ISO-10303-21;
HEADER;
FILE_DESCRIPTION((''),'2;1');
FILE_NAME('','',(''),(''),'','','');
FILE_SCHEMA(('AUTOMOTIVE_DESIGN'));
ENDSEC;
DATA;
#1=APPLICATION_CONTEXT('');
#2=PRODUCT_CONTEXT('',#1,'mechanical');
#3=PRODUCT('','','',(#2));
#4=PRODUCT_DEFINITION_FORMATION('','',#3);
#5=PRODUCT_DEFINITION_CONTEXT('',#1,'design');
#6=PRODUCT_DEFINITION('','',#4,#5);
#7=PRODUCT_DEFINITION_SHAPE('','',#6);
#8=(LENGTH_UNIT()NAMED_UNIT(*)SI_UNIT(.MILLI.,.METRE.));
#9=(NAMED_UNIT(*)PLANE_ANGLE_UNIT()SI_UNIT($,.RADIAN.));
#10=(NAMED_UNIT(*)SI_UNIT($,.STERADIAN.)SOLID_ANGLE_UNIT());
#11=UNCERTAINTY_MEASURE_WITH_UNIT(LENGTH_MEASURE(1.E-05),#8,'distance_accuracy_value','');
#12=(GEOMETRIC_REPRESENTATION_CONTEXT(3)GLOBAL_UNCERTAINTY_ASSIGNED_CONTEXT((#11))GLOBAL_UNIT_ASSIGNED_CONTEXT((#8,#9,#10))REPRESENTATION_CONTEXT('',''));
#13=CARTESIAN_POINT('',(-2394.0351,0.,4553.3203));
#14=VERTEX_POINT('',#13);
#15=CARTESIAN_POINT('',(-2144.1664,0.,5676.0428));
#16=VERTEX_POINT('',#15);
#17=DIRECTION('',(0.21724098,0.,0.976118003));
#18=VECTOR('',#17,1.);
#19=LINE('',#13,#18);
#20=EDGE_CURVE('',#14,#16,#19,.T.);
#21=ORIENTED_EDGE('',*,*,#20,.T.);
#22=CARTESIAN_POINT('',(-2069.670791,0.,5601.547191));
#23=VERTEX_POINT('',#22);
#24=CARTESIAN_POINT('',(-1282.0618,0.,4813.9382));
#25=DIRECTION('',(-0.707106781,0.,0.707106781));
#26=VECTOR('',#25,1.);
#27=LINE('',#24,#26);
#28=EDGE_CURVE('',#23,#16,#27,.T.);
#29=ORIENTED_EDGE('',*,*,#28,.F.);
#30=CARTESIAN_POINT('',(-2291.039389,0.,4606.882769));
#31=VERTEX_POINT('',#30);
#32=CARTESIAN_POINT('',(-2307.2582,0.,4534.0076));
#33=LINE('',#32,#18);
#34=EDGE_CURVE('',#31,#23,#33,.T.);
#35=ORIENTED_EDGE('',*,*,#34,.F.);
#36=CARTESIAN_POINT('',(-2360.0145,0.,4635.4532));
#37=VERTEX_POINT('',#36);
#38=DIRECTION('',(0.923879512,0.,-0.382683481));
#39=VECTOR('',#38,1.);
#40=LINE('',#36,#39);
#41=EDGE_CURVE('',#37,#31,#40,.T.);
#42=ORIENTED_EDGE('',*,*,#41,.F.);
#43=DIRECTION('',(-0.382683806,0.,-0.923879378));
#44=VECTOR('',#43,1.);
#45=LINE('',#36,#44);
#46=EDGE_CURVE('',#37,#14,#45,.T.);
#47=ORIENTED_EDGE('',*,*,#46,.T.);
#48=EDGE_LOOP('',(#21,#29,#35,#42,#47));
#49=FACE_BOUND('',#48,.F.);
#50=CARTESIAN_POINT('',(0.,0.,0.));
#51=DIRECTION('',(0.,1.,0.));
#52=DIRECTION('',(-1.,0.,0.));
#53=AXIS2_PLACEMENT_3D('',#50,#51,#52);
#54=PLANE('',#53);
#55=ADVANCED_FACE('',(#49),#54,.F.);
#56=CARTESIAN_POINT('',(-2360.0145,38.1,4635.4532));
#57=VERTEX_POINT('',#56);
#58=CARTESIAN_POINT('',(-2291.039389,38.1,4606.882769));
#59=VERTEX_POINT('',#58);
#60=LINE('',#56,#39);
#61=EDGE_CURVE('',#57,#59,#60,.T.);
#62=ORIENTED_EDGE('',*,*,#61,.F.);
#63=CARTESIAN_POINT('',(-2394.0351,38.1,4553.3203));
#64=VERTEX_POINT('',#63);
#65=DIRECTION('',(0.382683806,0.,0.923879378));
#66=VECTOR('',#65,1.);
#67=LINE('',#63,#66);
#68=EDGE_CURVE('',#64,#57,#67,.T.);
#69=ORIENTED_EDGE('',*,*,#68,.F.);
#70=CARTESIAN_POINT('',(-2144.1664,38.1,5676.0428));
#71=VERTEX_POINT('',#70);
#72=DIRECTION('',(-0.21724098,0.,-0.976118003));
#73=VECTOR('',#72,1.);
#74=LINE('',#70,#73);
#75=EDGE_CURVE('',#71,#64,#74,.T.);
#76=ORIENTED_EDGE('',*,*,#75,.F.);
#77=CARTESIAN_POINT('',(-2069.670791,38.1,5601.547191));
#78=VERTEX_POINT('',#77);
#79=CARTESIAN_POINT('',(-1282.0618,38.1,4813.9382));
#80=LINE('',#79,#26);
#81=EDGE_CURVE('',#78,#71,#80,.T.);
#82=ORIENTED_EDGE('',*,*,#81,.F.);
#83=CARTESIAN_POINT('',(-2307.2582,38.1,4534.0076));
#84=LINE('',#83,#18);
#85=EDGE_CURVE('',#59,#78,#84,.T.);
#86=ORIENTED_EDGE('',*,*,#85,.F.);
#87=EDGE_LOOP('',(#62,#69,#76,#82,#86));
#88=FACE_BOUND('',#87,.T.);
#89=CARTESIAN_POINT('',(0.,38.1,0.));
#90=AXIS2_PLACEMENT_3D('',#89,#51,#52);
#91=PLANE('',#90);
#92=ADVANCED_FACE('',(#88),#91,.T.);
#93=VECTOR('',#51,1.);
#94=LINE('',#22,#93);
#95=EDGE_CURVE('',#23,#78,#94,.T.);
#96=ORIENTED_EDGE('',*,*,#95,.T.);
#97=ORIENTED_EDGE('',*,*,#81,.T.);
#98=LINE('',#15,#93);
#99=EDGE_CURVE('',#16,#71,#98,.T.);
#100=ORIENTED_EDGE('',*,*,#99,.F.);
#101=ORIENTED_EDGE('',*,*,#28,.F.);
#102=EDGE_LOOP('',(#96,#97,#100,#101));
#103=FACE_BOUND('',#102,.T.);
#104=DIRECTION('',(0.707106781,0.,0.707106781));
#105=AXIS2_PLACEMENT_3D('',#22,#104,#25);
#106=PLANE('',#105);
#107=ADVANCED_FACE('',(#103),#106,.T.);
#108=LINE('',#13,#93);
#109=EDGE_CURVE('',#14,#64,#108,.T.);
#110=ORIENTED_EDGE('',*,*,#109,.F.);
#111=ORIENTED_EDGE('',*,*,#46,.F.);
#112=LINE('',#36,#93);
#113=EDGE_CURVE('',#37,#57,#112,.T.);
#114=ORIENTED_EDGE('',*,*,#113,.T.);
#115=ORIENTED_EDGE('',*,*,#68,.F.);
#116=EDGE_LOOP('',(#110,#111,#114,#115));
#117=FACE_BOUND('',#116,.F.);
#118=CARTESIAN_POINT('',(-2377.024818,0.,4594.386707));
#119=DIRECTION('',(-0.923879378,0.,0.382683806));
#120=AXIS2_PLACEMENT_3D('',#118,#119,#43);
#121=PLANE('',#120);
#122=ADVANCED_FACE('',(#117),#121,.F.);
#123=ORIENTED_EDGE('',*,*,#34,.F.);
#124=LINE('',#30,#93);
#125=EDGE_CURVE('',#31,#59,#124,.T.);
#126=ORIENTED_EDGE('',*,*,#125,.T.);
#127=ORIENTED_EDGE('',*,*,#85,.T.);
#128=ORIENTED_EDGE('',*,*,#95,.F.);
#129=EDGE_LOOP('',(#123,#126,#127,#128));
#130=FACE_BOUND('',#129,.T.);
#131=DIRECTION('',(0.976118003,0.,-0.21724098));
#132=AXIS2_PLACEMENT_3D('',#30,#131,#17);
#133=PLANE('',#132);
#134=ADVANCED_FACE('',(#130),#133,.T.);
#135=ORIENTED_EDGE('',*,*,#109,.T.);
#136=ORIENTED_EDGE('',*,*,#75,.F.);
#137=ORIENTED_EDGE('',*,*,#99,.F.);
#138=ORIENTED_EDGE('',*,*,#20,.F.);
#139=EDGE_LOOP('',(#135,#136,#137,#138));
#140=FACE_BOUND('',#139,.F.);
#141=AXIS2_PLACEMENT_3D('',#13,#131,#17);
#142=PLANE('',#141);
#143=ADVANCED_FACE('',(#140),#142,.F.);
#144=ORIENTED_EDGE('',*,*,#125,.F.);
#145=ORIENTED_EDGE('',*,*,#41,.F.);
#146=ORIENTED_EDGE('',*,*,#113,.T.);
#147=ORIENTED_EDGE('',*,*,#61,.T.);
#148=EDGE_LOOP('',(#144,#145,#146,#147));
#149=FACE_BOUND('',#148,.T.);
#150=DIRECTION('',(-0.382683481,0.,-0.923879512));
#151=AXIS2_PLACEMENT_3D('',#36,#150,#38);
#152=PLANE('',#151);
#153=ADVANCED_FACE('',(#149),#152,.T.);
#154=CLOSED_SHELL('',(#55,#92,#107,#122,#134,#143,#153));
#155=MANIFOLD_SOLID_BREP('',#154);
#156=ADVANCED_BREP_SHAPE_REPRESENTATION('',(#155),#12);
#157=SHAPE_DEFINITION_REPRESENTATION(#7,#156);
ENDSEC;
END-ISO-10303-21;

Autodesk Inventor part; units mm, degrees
ref_plane "YZ Plane" through (0, 0, 0) normal (1, 0, 0) x (0, 1, 0)
ref_plane "XZ Plane" through (0, 0, 0) normal (0, 1, 0) x (-1, 0, 0)
ref_plane "XY Plane" through (0, 0, 0) normal (0, 0, 1) x (1, 0, 0)
sketch "Sketch1" plane through (0, 0, 0) normal (0, 1, 0) x (-1, 0, 0)
  line L0 (0, 0) -> (0, -1219.2)
  line L1 (0, 0) -> (88.9, 0)
  line L2 (88.9, 0) -> (88.9, -1219.2)
  line L3 (88.9, -1219.2) -> (0, -1219.2)
  line L4 (0, 0) -> (0, 1219.2) construction
  line L5 (0, 1219.2) -> (1219.2, 1219.2) construction
  line L6 (0, 1219.2) -> (0, 3657.6) construction
  line L7 (0, 3657.6) -> (0, 4876.8) construction
  line L8 (0, 4876.8) -> (0, 6096) construction
  line L9 (0, -1219.2) -> (2438.4, -1219.2) construction
  line L10 (0, 6096) -> (2438.4, 6096) construction
  line L11 (2438.4, 6096) -> (2438.4, -1219.2) construction
  line L12 (0, 3657.6) -> (0, 3352.8) construction
  line L13 (0, 3352.8) -> (2438.4, 3352.8) construction
  line L14 (2438.4, 3352.8) -> (1219.2, 3352.8)
  line L15 (1219.2, 3352.8) -> (1219.2, 3263.9)
  line L16 (1219.2, 3263.9) -> (2438.4, 3263.9)
  line L17 (2438.4, 3263.9) -> (2438.4, 3352.8)
  line L18 (0, 6096) -> (862.1046, 6958.1046)
  line L19 (862.1046, 6958.1046) -> (924.9664, 6895.2428)
  line L20 (924.9664, 6895.2428) -> (62.8618, 6033.1382)
  line L21 (62.8618, 6033.1382) -> (0, 6096)
  line L22 (0, 4876.8) -> (1219.2, 4876.8) construction
  line L23 (1219.2, 4876.8) -> (2081.3046, 5738.9046)
  line L24 (1219.2, 1219.2) -> (2081.3046, 357.0954)
  line L25 (2081.3046, 357.0954) -> (2018.4428, 294.2336)
  line L26 (2018.4428, 294.2336) -> (1156.3382, 1156.3382)
  line L27 (1156.3382, 1156.3382) -> (1219.2, 1219.2)
  line L28 (2018.4428, 294.2336) -> (88.9, -1219.2)
  line L29 (2081.3046, 357.0954) -> (2144.1664, 419.9572)
  line L30 (2144.1664, 419.9572) -> (1282.0618, 1282.0618)
  line L31 (1282.0618, 1282.0618) -> (1219.2, 1219.2)
  line L32 (2438.4, 3352.8) -> (2438.4, 3441.7)
  line L33 (2438.4, 3441.7) -> (1219.2, 3441.7)
  line L34 (1219.2, 3441.7) -> (1219.2, 3352.8)
  line L35 (1156.3382, 4939.6618) -> (1282.0618, 4813.9382)
  line L36 (2018.4428, 5801.7664) -> (2144.1664, 5676.0428)
  line L37 (1282.0618, 4813.9382) -> (2144.1664, 5676.0428)
  line L38 (2018.4428, 5801.7664) -> (1156.3382, 4939.6618)
  line L39 (2018.4428, 5801.7664) -> (924.9664, 6895.2428)
  line L40 (62.8618, 6033.1382) -> (1156.3382, 4939.6618)
  line L41 (1233.6206, 4168.8855) -> (1267.6412, 4086.7527)
  line L42 (1263.7078, 2313.9849) -> (1230.0006, 2231.7229)
  arc A0 (862.1046, 6958.1046) -> (0, 6096) centre (431.0523, 6527.0523) ccw
  line L43 (1246.8542, 2272.8539) -> (2375.0183, 1810.583)
  line L44 (2391.8719, 1851.7139) -> (2358.1646, 1769.452)
  line L45 (2391.8719, 1851.7139) -> (1263.7078, 2313.9849)
  line L46 (1230.0006, 2231.7229) -> (2358.1646, 1769.452)
  line L47 (1230.0006, 2231.7229) -> (1219.2, 3263.9)
  line L48 (2144.1664, 419.9572) -> (2391.8719, 1851.7139)
  line L49 (2391.8719, 1851.7139) -> (2438.4, 3263.9)
  line L50 (1219.2, 3441.7) -> (1233.6206, 4168.8855)
  line L51 (1250.6309, 4127.8191) -> (2377.0248, 4594.3867)
  line L52 (2360.0145, 4635.4532) -> (2394.0351, 4553.3203)
  line L53 (2394.0351, 4553.3203) -> (1267.6412, 4086.7527)
  line L54 (2360.0145, 4635.4532) -> (1233.6206, 4168.8855)
  line L55 (2394.0351, 4553.3203) -> (2144.1664, 5676.0428)
  line L56 (2438.4, 3441.7) -> (2394.0351, 4553.3203)
  line L57 (2144.1664, 5676.0428) -> (2057.3895, 5656.7301)
  line L58 (2394.0351, 4553.3203) -> (2305.2058, 4549.7751)
  line L59 (2394.0351, 4553.3203) -> (2307.2582, 4534.0076)
  line L60 (2307.2582, 4534.0076) -> (2057.3895, 5656.7301)
  line L61 (2438.4, 3441.7) -> (2349.5707, 3438.1548)
  line L62 (2349.5707, 3438.1548) -> (2305.2058, 4549.7751)
  line L63 (1219.2, 3441.7) -> (1308.0825, 3439.9374)
  line L64 (1233.6206, 4168.8855) -> (1322.5031, 4167.1229)
  line L65 (1322.5031, 4167.1229) -> (1308.0825, 3439.9374)
  line L66 (2018.4428, 5801.7664) -> (1955.581, 5738.9046)
  line L67 (1955.581, 5738.9046) -> (862.1046, 6832.381)
  line L68 (924.9664, 6895.2428) -> (862.1046, 6832.381)
  line L69 (62.8618, 6033.1382) -> (125.7236, 6096)
  line L70 (62.8618, 6033.1382) -> (125.7236, 6096)
  line L71 (125.7236, 6096) -> (1219.2, 5002.5236)
  line L72 (1156.3382, 1156.3382) -> (0, 0)
  line L73 (0, 0) -> (62.8618, -62.8618)
  line L74 (1156.3382, 1156.3382) -> (1219.2, 1093.4764)
  line L75 (1219.2, 1093.4764) -> (62.8618, -62.8618)
  line L76 (2018.4428, 294.2336) -> (1963.5776, 364.1837)
  line L77 (88.9, -1219.2) -> (34.0348, -1149.2499)
  line L78 (34.0348, -1149.2499) -> (1963.5776, 364.1837)
  line L79 (2144.1664, 419.9572) -> (2056.5677, 435.1125)
  line L80 (2391.8719, 1851.7139) -> (2304.2732, 1866.8692)
  line L81 (2391.8719, 1851.7139) -> (2303.0201, 1854.6414)
  line L82 (2304.2732, 1866.8692) -> (2056.5677, 435.1125)
  line L83 (1230.0006, 2231.7229) -> (1318.8957, 2232.6531)
  line L84 (1219.2, 3263.9) -> (1308.0951, 3264.8302)
  line L85 (1308.0951, 3264.8302) -> (1318.8957, 2232.6531)
  line L86 (2438.4, 3263.9) -> (2349.5482, 3266.8275)
  line L87 (2349.5482, 3266.8275) -> (2303.0201, 1854.6414)
  line L88 (88.9, 0) -> (125.7236, 0)
  line L89 (1233.6206, 4168.8855) -> (1219.2, 4876.8)
  line L90 (1233.6206, 4168.8855) -> (1322.5022, 4170.6961)
  line L91 (1219.2, 4876.8) -> (1308.0816, 4878.6106)
  line L92 (1308.0816, 4878.6106) -> (1322.5022, 4170.6961)
  line L93 (1282.0618, 4813.9382) -> (1309.9674, 4786.0326)
  line L94 (1267.6412, 4086.7527) -> (1318.4756, 3964.0275)
  line L95 (2360.0145, 4635.4532) -> (2374.4273, 4641.4231)
  line L96 (1230.0006, 2231.7229) -> (1219.2, 1219.2)
  line L97 (1230.0006, 2231.7229) -> (1318.8955, 2230.7747)
  line L98 (1219.2, 1219.2) -> (1308.0949, 1218.2518)
  line L99 (1308.0949, 1218.2518) -> (1318.8955, 2230.7747)
  line L100 (1282.0618, 1282.0618) -> (1309.0636, 1309.0636)
  line L101 (1263.7078, 2313.9849) -> (1316.7428, 2438.4)
  line L102 (2358.1646, 1769.452) -> (2376.5379, 1763.082)
  point P0 (1770.957, 2057.4547)
  point P1 (1955.1236, 357.5528)
  point P2 (88.9, -1106.2164)
  point P3 (2292.1025, 1796.5213)
  point P4 (2067.2525, 496.8711)
  point P5 (1318.5187, 2195.4522)
  point P6 (1308.1049, 3263.9)
  point P7 (2349.4518, 3263.9)
  point P8 (2304.1085, 1887.6754)
  point P9 (2306.5112, 4517.0667)
  point P10 (2349.4292, 3441.7)
  point P11 (1308.1175, 3441.7)
  point P12 (2069.6708, 5601.5472)
  point P13 (2291.0394, 4606.8827)
  dimension "d0" = 1219.2
  dimension "d2" = 1219.2
  dimension "d3" = 1219.2
  dimension "d16" = 2438.4
  dimension "d17" = 1219.2
  dimension "d18" = 1219.2
  dimension "d20" = 2438.4
  dimension "d21" = 304.8
  dimension "d22" = 1219.2
  dimension "d23" = 88.9
  dimension "d24" = 1219.2
  dimension "d25" = 45
  dimension "d26" = 88.9
  dimension "d27" = 1219.2
  dimension "d28" = 1219.2
  dimension "d29" = 1219.2
  dimension "d31" = 1219.2
  dimension "d32" = 88.9
  dimension "d33" = 88.9
  dimension "d34" = 88.9
  dimension "d35" = 177.8
  dimension "d36" = 177.8
  dimension "d38" = 88.9
  dimension "d39" = 88.9
  dimension "d43" = 1219.2
  dimension "d44" = 88.9
  dimension "d45" = 1219.2
  dimension "d46" = 88.9
  dimension "d47" = 88.9
  dimension "d48" = 88.9
  dimension "d49" = 88.9
  dimension "d50" = 88.9
  dimension "d51" = 88.9
  dimension "d54" = 88.9
  dimension "d55" = 88.9
  dimension "d57" = 88.9
  dimension "d58" = 88.9
  dimension "d59" = 88.9
  dimension "d60" = 88.9
  dimension "d61" = 88.9
  dimension "d64" = 88.9
  dimension "d65" = 88.9
  dimension "d66" = 88.9
  dimension "d69" = 88.9
  dimension "d70" = 88.9
  dimension "d71" = 88.9
  dimension "d72" = 88.9
extrude "Extrusion1" add sketch "Sketch1" along normal blind 38.1 contours L52 L95 L55 | L95 L54 L60 L37 L55
properties part number "S_2x4x45.283"
